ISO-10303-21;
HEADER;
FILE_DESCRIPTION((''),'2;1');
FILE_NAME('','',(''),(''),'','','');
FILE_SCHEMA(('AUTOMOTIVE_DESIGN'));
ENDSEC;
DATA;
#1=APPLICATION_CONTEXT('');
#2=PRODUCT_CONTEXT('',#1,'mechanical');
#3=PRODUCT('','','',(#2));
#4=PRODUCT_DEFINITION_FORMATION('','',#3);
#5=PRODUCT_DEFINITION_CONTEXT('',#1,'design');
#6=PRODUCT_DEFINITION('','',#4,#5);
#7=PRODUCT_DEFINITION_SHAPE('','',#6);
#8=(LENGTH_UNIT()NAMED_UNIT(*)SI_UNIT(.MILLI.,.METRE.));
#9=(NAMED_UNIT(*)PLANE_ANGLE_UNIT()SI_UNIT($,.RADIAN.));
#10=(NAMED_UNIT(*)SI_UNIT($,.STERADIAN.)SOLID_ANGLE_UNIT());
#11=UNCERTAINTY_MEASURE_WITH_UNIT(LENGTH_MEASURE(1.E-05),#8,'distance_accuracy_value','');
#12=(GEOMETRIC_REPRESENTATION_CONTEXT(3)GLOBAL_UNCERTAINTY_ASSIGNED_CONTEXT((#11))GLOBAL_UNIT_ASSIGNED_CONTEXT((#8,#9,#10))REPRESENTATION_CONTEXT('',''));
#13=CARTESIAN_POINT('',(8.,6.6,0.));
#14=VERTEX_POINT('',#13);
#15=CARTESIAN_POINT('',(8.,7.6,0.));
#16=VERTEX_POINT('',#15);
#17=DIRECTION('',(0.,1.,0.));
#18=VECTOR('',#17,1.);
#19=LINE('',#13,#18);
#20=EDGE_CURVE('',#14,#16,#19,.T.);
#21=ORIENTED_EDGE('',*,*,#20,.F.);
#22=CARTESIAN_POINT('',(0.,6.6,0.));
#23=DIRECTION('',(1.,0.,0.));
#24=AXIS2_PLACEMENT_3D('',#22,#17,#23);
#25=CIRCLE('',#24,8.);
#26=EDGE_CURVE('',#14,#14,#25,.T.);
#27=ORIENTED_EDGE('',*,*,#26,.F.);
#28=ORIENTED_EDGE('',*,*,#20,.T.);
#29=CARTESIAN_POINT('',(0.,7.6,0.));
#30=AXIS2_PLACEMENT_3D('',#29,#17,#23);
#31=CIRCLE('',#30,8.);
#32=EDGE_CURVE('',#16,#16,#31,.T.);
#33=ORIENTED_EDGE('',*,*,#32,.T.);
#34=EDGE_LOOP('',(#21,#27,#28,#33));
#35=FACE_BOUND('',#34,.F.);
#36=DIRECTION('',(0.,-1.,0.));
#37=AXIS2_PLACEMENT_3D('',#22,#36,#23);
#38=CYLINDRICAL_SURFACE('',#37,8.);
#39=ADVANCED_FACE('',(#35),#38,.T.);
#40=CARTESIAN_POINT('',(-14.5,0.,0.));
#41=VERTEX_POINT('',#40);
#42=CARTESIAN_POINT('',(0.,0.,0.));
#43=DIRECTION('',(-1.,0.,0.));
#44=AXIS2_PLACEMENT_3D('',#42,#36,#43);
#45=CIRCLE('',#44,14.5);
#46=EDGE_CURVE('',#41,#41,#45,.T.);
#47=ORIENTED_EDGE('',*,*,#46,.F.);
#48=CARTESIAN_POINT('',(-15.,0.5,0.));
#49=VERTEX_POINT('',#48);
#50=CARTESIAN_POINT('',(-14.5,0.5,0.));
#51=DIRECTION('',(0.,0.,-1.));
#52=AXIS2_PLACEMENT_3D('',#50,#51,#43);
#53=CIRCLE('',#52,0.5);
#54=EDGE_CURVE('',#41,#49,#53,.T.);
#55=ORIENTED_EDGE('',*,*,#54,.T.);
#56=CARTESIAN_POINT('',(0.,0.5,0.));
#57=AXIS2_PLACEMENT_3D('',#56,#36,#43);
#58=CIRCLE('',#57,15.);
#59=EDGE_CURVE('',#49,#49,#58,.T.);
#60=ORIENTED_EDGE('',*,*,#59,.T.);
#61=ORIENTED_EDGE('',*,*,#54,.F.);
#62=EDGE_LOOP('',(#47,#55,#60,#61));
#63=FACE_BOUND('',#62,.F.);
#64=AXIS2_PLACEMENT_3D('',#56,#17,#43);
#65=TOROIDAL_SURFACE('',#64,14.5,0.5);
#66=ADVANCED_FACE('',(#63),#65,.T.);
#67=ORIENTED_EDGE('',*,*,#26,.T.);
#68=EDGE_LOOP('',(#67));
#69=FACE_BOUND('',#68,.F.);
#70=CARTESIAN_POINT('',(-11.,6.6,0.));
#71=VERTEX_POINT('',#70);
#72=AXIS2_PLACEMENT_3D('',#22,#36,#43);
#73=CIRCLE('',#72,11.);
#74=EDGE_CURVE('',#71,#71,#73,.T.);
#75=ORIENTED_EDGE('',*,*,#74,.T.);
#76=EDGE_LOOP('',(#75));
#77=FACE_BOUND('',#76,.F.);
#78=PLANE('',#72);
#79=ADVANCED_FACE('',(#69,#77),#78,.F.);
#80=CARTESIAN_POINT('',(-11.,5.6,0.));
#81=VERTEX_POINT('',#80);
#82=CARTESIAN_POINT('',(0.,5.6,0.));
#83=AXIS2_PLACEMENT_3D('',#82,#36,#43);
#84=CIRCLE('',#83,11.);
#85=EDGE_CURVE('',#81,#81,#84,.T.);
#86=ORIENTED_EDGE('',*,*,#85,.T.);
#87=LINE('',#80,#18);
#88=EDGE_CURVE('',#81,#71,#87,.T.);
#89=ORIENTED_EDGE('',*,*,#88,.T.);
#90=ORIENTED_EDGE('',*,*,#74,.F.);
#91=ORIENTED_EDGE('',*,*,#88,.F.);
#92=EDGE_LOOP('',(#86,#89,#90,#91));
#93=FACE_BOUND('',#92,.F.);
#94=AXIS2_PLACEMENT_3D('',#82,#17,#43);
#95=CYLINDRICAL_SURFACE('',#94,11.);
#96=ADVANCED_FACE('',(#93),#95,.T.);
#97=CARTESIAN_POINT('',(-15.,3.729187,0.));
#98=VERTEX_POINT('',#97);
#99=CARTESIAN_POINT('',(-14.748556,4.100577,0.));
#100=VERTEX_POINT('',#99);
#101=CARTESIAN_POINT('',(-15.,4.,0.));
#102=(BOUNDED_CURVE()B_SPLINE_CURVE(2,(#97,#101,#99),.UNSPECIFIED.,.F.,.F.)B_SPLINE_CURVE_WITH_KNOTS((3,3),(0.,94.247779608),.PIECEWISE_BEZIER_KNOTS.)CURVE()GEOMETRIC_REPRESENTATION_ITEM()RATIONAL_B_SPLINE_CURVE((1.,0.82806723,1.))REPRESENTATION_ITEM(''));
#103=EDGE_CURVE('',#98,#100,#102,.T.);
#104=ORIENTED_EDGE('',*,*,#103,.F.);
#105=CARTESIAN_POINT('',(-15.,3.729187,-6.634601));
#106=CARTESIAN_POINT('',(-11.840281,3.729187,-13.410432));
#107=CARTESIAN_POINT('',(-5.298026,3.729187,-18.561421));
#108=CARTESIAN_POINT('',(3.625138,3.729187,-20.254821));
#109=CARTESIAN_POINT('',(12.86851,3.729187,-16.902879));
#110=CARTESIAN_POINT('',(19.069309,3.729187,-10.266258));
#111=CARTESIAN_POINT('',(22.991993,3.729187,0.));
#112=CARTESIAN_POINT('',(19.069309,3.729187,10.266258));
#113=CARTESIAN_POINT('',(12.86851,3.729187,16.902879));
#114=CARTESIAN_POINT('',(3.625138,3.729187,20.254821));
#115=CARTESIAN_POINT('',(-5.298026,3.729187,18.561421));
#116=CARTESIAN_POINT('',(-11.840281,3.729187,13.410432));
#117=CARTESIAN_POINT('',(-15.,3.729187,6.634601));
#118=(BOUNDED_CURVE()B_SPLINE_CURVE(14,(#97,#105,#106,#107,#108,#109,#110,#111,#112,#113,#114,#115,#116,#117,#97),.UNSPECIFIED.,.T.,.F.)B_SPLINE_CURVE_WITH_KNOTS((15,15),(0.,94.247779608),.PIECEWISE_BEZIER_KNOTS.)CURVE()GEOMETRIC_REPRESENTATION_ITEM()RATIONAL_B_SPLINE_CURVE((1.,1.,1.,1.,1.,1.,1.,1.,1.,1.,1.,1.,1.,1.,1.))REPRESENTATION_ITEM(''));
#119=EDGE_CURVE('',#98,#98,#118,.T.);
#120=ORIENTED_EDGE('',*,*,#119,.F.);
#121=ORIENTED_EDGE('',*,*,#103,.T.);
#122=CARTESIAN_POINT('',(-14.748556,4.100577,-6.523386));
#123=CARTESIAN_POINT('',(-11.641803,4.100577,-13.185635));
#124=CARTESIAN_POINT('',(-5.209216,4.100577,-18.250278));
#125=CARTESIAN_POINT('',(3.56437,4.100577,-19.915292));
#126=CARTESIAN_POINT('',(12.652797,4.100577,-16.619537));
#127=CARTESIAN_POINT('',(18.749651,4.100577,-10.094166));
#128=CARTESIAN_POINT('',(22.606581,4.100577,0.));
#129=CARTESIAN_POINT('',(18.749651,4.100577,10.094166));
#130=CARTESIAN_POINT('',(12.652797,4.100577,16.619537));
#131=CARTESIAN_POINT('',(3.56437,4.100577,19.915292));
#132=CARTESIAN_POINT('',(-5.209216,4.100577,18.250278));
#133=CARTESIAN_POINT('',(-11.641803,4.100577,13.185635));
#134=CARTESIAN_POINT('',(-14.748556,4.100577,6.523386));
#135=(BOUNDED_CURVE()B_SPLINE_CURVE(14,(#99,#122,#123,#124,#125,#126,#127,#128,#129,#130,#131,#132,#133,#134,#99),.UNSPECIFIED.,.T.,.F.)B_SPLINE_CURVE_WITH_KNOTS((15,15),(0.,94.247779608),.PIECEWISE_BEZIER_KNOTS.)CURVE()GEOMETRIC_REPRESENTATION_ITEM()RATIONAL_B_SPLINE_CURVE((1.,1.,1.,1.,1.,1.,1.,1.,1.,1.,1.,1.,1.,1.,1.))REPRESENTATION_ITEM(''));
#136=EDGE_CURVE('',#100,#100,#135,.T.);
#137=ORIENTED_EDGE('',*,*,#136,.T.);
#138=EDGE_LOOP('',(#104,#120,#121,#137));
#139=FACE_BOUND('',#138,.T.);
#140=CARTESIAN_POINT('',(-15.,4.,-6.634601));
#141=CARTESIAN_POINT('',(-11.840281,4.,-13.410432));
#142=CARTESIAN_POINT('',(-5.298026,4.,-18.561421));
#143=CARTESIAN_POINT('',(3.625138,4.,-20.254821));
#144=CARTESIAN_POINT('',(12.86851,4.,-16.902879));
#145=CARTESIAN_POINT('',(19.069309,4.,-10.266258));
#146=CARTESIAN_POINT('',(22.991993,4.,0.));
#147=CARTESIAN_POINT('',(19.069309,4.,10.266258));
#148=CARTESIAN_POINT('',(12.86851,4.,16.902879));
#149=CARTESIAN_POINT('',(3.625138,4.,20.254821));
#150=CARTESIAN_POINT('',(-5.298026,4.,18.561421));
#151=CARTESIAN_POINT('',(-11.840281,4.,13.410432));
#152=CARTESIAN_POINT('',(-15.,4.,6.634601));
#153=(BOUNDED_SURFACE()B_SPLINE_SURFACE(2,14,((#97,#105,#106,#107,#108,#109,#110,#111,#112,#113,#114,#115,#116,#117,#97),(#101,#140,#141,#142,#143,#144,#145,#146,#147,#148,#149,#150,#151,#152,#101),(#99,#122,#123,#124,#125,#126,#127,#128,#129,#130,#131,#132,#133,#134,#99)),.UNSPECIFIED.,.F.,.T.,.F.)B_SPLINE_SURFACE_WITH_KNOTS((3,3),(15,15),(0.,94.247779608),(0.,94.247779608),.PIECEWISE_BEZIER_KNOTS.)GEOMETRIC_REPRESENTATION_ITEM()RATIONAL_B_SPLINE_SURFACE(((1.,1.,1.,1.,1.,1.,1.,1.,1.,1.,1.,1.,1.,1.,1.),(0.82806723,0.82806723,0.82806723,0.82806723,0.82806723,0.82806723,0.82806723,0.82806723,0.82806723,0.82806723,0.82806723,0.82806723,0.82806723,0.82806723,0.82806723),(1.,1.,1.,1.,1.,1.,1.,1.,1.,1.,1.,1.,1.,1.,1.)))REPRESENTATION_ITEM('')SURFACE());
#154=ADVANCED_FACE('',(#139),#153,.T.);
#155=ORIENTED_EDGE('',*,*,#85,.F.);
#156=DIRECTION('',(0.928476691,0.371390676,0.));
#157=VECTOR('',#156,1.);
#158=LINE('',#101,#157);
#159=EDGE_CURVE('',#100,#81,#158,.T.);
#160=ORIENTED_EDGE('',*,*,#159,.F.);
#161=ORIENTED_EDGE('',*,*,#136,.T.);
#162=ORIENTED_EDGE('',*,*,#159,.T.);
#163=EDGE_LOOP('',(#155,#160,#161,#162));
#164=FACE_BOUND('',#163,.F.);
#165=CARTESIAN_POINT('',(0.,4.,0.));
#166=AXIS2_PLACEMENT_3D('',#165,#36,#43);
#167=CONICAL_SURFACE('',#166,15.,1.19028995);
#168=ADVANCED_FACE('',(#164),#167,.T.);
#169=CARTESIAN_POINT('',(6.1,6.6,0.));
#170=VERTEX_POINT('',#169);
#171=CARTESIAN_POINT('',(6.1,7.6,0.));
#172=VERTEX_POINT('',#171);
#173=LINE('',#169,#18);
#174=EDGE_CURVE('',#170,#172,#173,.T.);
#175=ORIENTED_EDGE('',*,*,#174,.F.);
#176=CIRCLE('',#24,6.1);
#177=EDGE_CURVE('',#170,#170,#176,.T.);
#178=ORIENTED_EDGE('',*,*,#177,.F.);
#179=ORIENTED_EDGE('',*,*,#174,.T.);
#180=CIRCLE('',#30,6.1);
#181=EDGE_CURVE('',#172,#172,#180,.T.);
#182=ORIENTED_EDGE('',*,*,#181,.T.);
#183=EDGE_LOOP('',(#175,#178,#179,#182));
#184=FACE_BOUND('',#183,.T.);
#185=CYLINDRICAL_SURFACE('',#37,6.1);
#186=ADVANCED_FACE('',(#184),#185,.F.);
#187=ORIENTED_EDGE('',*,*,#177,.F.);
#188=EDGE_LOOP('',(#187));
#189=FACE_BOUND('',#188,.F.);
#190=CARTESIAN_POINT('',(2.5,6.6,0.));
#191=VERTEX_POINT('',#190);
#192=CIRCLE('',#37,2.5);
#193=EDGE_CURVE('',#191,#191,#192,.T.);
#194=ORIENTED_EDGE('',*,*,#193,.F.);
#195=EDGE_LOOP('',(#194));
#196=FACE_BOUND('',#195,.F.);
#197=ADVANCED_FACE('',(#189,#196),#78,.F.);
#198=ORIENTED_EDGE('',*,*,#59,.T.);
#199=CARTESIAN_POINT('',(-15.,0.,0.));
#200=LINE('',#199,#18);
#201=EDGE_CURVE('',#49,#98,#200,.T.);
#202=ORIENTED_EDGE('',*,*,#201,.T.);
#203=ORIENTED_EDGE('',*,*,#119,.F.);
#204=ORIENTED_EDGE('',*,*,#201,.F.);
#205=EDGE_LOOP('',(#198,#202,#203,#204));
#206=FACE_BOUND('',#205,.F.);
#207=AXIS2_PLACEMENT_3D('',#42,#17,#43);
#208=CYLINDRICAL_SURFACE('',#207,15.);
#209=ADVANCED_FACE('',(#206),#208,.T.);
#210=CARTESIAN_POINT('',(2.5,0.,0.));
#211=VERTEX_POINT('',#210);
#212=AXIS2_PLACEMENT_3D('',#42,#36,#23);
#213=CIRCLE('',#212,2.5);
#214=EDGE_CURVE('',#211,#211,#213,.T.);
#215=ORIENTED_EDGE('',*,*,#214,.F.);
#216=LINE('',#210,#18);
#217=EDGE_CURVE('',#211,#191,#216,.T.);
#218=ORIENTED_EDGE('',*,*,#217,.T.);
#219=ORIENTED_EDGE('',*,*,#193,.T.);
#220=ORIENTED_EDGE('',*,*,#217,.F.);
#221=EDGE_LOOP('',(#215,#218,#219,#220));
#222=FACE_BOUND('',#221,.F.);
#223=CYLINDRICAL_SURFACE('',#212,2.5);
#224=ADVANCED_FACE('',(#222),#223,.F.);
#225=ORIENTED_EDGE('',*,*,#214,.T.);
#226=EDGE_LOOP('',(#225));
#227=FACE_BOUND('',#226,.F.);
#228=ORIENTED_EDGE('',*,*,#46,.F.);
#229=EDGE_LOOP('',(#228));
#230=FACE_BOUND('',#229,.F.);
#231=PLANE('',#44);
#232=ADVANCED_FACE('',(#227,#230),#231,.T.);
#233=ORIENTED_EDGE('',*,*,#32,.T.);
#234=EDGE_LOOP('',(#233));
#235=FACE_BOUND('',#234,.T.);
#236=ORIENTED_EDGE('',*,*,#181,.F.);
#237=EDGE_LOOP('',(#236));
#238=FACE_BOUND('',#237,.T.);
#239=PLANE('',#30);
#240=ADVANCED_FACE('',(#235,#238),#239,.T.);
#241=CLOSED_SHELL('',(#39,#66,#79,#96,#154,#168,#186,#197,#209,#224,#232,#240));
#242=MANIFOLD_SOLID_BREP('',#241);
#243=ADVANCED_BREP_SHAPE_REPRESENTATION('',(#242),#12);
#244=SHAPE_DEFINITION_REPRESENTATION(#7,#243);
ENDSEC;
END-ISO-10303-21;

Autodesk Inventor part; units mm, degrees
ref_plane "YZ Plane" through (0, 0, 0) normal (1, 0, 0) x (0, 1, 0)
ref_plane "XZ Plane" through (0, 0, 0) normal (0, 1, 0) x (-1, 0, 0)
ref_plane "XY Plane" through (0, 0, 0) normal (0, 0, 1) x (1, 0, 0)
sketch "Sketch1" plane through (0, 0, 0) normal (0, 0, 1) x (1, 0, 0)
  line L0 (0, 0) -> (-15, 0)
  line L1 (-15, 0) -> (-15, 4)
  line L2 (-15, 4) -> (-11, 5.6)
  line L3 (-11, 5.6) -> (-11, 6.6)
  line L4 (-11, 6.6) -> (0, 6.6)
  line L5 (0, 6.6) -> (0, 0)
  dimension "d1" = 4
  dimension "d5" = 1
  dimension "d12" = 11
  dimension "d13" = 2.6
  dimension "d14" = 4
revolve "Revolution1" add sketch "Sketch1" angle 360 about axis through (0, 6.6, 0) along (0, -1, 0)
fillet "Fillet1" radius 0.5 1 edges at (15, 0, 0)
sketch "Sketch3" plane through (0, 0, 0) normal (0, -1, 0) x (1, 0, 0)
  circle A0 centre (0, 0) radius 2.5
  dimension "d15" = 5
extrude "Extrusion2" cut sketch "Sketch3" against normal up to surface (6.6 mm away)
fillet "Fillet2" radius 0.4 1 edges at (15, 4, 0)
sketch "Sketch4" plane through (0, 6.6, 0) normal (0, 1, 0) x (1, 0, 0)
  circle A0 centre (0, 0) radius 8
  circle A1 centre (0, 0) radius 6.1
  dimension "d19" = 16
  dimension "d20" = 1.9
extrude "Extrusion3" add sketch "Sketch4" along normal blind 1
properties part number "pulley"
